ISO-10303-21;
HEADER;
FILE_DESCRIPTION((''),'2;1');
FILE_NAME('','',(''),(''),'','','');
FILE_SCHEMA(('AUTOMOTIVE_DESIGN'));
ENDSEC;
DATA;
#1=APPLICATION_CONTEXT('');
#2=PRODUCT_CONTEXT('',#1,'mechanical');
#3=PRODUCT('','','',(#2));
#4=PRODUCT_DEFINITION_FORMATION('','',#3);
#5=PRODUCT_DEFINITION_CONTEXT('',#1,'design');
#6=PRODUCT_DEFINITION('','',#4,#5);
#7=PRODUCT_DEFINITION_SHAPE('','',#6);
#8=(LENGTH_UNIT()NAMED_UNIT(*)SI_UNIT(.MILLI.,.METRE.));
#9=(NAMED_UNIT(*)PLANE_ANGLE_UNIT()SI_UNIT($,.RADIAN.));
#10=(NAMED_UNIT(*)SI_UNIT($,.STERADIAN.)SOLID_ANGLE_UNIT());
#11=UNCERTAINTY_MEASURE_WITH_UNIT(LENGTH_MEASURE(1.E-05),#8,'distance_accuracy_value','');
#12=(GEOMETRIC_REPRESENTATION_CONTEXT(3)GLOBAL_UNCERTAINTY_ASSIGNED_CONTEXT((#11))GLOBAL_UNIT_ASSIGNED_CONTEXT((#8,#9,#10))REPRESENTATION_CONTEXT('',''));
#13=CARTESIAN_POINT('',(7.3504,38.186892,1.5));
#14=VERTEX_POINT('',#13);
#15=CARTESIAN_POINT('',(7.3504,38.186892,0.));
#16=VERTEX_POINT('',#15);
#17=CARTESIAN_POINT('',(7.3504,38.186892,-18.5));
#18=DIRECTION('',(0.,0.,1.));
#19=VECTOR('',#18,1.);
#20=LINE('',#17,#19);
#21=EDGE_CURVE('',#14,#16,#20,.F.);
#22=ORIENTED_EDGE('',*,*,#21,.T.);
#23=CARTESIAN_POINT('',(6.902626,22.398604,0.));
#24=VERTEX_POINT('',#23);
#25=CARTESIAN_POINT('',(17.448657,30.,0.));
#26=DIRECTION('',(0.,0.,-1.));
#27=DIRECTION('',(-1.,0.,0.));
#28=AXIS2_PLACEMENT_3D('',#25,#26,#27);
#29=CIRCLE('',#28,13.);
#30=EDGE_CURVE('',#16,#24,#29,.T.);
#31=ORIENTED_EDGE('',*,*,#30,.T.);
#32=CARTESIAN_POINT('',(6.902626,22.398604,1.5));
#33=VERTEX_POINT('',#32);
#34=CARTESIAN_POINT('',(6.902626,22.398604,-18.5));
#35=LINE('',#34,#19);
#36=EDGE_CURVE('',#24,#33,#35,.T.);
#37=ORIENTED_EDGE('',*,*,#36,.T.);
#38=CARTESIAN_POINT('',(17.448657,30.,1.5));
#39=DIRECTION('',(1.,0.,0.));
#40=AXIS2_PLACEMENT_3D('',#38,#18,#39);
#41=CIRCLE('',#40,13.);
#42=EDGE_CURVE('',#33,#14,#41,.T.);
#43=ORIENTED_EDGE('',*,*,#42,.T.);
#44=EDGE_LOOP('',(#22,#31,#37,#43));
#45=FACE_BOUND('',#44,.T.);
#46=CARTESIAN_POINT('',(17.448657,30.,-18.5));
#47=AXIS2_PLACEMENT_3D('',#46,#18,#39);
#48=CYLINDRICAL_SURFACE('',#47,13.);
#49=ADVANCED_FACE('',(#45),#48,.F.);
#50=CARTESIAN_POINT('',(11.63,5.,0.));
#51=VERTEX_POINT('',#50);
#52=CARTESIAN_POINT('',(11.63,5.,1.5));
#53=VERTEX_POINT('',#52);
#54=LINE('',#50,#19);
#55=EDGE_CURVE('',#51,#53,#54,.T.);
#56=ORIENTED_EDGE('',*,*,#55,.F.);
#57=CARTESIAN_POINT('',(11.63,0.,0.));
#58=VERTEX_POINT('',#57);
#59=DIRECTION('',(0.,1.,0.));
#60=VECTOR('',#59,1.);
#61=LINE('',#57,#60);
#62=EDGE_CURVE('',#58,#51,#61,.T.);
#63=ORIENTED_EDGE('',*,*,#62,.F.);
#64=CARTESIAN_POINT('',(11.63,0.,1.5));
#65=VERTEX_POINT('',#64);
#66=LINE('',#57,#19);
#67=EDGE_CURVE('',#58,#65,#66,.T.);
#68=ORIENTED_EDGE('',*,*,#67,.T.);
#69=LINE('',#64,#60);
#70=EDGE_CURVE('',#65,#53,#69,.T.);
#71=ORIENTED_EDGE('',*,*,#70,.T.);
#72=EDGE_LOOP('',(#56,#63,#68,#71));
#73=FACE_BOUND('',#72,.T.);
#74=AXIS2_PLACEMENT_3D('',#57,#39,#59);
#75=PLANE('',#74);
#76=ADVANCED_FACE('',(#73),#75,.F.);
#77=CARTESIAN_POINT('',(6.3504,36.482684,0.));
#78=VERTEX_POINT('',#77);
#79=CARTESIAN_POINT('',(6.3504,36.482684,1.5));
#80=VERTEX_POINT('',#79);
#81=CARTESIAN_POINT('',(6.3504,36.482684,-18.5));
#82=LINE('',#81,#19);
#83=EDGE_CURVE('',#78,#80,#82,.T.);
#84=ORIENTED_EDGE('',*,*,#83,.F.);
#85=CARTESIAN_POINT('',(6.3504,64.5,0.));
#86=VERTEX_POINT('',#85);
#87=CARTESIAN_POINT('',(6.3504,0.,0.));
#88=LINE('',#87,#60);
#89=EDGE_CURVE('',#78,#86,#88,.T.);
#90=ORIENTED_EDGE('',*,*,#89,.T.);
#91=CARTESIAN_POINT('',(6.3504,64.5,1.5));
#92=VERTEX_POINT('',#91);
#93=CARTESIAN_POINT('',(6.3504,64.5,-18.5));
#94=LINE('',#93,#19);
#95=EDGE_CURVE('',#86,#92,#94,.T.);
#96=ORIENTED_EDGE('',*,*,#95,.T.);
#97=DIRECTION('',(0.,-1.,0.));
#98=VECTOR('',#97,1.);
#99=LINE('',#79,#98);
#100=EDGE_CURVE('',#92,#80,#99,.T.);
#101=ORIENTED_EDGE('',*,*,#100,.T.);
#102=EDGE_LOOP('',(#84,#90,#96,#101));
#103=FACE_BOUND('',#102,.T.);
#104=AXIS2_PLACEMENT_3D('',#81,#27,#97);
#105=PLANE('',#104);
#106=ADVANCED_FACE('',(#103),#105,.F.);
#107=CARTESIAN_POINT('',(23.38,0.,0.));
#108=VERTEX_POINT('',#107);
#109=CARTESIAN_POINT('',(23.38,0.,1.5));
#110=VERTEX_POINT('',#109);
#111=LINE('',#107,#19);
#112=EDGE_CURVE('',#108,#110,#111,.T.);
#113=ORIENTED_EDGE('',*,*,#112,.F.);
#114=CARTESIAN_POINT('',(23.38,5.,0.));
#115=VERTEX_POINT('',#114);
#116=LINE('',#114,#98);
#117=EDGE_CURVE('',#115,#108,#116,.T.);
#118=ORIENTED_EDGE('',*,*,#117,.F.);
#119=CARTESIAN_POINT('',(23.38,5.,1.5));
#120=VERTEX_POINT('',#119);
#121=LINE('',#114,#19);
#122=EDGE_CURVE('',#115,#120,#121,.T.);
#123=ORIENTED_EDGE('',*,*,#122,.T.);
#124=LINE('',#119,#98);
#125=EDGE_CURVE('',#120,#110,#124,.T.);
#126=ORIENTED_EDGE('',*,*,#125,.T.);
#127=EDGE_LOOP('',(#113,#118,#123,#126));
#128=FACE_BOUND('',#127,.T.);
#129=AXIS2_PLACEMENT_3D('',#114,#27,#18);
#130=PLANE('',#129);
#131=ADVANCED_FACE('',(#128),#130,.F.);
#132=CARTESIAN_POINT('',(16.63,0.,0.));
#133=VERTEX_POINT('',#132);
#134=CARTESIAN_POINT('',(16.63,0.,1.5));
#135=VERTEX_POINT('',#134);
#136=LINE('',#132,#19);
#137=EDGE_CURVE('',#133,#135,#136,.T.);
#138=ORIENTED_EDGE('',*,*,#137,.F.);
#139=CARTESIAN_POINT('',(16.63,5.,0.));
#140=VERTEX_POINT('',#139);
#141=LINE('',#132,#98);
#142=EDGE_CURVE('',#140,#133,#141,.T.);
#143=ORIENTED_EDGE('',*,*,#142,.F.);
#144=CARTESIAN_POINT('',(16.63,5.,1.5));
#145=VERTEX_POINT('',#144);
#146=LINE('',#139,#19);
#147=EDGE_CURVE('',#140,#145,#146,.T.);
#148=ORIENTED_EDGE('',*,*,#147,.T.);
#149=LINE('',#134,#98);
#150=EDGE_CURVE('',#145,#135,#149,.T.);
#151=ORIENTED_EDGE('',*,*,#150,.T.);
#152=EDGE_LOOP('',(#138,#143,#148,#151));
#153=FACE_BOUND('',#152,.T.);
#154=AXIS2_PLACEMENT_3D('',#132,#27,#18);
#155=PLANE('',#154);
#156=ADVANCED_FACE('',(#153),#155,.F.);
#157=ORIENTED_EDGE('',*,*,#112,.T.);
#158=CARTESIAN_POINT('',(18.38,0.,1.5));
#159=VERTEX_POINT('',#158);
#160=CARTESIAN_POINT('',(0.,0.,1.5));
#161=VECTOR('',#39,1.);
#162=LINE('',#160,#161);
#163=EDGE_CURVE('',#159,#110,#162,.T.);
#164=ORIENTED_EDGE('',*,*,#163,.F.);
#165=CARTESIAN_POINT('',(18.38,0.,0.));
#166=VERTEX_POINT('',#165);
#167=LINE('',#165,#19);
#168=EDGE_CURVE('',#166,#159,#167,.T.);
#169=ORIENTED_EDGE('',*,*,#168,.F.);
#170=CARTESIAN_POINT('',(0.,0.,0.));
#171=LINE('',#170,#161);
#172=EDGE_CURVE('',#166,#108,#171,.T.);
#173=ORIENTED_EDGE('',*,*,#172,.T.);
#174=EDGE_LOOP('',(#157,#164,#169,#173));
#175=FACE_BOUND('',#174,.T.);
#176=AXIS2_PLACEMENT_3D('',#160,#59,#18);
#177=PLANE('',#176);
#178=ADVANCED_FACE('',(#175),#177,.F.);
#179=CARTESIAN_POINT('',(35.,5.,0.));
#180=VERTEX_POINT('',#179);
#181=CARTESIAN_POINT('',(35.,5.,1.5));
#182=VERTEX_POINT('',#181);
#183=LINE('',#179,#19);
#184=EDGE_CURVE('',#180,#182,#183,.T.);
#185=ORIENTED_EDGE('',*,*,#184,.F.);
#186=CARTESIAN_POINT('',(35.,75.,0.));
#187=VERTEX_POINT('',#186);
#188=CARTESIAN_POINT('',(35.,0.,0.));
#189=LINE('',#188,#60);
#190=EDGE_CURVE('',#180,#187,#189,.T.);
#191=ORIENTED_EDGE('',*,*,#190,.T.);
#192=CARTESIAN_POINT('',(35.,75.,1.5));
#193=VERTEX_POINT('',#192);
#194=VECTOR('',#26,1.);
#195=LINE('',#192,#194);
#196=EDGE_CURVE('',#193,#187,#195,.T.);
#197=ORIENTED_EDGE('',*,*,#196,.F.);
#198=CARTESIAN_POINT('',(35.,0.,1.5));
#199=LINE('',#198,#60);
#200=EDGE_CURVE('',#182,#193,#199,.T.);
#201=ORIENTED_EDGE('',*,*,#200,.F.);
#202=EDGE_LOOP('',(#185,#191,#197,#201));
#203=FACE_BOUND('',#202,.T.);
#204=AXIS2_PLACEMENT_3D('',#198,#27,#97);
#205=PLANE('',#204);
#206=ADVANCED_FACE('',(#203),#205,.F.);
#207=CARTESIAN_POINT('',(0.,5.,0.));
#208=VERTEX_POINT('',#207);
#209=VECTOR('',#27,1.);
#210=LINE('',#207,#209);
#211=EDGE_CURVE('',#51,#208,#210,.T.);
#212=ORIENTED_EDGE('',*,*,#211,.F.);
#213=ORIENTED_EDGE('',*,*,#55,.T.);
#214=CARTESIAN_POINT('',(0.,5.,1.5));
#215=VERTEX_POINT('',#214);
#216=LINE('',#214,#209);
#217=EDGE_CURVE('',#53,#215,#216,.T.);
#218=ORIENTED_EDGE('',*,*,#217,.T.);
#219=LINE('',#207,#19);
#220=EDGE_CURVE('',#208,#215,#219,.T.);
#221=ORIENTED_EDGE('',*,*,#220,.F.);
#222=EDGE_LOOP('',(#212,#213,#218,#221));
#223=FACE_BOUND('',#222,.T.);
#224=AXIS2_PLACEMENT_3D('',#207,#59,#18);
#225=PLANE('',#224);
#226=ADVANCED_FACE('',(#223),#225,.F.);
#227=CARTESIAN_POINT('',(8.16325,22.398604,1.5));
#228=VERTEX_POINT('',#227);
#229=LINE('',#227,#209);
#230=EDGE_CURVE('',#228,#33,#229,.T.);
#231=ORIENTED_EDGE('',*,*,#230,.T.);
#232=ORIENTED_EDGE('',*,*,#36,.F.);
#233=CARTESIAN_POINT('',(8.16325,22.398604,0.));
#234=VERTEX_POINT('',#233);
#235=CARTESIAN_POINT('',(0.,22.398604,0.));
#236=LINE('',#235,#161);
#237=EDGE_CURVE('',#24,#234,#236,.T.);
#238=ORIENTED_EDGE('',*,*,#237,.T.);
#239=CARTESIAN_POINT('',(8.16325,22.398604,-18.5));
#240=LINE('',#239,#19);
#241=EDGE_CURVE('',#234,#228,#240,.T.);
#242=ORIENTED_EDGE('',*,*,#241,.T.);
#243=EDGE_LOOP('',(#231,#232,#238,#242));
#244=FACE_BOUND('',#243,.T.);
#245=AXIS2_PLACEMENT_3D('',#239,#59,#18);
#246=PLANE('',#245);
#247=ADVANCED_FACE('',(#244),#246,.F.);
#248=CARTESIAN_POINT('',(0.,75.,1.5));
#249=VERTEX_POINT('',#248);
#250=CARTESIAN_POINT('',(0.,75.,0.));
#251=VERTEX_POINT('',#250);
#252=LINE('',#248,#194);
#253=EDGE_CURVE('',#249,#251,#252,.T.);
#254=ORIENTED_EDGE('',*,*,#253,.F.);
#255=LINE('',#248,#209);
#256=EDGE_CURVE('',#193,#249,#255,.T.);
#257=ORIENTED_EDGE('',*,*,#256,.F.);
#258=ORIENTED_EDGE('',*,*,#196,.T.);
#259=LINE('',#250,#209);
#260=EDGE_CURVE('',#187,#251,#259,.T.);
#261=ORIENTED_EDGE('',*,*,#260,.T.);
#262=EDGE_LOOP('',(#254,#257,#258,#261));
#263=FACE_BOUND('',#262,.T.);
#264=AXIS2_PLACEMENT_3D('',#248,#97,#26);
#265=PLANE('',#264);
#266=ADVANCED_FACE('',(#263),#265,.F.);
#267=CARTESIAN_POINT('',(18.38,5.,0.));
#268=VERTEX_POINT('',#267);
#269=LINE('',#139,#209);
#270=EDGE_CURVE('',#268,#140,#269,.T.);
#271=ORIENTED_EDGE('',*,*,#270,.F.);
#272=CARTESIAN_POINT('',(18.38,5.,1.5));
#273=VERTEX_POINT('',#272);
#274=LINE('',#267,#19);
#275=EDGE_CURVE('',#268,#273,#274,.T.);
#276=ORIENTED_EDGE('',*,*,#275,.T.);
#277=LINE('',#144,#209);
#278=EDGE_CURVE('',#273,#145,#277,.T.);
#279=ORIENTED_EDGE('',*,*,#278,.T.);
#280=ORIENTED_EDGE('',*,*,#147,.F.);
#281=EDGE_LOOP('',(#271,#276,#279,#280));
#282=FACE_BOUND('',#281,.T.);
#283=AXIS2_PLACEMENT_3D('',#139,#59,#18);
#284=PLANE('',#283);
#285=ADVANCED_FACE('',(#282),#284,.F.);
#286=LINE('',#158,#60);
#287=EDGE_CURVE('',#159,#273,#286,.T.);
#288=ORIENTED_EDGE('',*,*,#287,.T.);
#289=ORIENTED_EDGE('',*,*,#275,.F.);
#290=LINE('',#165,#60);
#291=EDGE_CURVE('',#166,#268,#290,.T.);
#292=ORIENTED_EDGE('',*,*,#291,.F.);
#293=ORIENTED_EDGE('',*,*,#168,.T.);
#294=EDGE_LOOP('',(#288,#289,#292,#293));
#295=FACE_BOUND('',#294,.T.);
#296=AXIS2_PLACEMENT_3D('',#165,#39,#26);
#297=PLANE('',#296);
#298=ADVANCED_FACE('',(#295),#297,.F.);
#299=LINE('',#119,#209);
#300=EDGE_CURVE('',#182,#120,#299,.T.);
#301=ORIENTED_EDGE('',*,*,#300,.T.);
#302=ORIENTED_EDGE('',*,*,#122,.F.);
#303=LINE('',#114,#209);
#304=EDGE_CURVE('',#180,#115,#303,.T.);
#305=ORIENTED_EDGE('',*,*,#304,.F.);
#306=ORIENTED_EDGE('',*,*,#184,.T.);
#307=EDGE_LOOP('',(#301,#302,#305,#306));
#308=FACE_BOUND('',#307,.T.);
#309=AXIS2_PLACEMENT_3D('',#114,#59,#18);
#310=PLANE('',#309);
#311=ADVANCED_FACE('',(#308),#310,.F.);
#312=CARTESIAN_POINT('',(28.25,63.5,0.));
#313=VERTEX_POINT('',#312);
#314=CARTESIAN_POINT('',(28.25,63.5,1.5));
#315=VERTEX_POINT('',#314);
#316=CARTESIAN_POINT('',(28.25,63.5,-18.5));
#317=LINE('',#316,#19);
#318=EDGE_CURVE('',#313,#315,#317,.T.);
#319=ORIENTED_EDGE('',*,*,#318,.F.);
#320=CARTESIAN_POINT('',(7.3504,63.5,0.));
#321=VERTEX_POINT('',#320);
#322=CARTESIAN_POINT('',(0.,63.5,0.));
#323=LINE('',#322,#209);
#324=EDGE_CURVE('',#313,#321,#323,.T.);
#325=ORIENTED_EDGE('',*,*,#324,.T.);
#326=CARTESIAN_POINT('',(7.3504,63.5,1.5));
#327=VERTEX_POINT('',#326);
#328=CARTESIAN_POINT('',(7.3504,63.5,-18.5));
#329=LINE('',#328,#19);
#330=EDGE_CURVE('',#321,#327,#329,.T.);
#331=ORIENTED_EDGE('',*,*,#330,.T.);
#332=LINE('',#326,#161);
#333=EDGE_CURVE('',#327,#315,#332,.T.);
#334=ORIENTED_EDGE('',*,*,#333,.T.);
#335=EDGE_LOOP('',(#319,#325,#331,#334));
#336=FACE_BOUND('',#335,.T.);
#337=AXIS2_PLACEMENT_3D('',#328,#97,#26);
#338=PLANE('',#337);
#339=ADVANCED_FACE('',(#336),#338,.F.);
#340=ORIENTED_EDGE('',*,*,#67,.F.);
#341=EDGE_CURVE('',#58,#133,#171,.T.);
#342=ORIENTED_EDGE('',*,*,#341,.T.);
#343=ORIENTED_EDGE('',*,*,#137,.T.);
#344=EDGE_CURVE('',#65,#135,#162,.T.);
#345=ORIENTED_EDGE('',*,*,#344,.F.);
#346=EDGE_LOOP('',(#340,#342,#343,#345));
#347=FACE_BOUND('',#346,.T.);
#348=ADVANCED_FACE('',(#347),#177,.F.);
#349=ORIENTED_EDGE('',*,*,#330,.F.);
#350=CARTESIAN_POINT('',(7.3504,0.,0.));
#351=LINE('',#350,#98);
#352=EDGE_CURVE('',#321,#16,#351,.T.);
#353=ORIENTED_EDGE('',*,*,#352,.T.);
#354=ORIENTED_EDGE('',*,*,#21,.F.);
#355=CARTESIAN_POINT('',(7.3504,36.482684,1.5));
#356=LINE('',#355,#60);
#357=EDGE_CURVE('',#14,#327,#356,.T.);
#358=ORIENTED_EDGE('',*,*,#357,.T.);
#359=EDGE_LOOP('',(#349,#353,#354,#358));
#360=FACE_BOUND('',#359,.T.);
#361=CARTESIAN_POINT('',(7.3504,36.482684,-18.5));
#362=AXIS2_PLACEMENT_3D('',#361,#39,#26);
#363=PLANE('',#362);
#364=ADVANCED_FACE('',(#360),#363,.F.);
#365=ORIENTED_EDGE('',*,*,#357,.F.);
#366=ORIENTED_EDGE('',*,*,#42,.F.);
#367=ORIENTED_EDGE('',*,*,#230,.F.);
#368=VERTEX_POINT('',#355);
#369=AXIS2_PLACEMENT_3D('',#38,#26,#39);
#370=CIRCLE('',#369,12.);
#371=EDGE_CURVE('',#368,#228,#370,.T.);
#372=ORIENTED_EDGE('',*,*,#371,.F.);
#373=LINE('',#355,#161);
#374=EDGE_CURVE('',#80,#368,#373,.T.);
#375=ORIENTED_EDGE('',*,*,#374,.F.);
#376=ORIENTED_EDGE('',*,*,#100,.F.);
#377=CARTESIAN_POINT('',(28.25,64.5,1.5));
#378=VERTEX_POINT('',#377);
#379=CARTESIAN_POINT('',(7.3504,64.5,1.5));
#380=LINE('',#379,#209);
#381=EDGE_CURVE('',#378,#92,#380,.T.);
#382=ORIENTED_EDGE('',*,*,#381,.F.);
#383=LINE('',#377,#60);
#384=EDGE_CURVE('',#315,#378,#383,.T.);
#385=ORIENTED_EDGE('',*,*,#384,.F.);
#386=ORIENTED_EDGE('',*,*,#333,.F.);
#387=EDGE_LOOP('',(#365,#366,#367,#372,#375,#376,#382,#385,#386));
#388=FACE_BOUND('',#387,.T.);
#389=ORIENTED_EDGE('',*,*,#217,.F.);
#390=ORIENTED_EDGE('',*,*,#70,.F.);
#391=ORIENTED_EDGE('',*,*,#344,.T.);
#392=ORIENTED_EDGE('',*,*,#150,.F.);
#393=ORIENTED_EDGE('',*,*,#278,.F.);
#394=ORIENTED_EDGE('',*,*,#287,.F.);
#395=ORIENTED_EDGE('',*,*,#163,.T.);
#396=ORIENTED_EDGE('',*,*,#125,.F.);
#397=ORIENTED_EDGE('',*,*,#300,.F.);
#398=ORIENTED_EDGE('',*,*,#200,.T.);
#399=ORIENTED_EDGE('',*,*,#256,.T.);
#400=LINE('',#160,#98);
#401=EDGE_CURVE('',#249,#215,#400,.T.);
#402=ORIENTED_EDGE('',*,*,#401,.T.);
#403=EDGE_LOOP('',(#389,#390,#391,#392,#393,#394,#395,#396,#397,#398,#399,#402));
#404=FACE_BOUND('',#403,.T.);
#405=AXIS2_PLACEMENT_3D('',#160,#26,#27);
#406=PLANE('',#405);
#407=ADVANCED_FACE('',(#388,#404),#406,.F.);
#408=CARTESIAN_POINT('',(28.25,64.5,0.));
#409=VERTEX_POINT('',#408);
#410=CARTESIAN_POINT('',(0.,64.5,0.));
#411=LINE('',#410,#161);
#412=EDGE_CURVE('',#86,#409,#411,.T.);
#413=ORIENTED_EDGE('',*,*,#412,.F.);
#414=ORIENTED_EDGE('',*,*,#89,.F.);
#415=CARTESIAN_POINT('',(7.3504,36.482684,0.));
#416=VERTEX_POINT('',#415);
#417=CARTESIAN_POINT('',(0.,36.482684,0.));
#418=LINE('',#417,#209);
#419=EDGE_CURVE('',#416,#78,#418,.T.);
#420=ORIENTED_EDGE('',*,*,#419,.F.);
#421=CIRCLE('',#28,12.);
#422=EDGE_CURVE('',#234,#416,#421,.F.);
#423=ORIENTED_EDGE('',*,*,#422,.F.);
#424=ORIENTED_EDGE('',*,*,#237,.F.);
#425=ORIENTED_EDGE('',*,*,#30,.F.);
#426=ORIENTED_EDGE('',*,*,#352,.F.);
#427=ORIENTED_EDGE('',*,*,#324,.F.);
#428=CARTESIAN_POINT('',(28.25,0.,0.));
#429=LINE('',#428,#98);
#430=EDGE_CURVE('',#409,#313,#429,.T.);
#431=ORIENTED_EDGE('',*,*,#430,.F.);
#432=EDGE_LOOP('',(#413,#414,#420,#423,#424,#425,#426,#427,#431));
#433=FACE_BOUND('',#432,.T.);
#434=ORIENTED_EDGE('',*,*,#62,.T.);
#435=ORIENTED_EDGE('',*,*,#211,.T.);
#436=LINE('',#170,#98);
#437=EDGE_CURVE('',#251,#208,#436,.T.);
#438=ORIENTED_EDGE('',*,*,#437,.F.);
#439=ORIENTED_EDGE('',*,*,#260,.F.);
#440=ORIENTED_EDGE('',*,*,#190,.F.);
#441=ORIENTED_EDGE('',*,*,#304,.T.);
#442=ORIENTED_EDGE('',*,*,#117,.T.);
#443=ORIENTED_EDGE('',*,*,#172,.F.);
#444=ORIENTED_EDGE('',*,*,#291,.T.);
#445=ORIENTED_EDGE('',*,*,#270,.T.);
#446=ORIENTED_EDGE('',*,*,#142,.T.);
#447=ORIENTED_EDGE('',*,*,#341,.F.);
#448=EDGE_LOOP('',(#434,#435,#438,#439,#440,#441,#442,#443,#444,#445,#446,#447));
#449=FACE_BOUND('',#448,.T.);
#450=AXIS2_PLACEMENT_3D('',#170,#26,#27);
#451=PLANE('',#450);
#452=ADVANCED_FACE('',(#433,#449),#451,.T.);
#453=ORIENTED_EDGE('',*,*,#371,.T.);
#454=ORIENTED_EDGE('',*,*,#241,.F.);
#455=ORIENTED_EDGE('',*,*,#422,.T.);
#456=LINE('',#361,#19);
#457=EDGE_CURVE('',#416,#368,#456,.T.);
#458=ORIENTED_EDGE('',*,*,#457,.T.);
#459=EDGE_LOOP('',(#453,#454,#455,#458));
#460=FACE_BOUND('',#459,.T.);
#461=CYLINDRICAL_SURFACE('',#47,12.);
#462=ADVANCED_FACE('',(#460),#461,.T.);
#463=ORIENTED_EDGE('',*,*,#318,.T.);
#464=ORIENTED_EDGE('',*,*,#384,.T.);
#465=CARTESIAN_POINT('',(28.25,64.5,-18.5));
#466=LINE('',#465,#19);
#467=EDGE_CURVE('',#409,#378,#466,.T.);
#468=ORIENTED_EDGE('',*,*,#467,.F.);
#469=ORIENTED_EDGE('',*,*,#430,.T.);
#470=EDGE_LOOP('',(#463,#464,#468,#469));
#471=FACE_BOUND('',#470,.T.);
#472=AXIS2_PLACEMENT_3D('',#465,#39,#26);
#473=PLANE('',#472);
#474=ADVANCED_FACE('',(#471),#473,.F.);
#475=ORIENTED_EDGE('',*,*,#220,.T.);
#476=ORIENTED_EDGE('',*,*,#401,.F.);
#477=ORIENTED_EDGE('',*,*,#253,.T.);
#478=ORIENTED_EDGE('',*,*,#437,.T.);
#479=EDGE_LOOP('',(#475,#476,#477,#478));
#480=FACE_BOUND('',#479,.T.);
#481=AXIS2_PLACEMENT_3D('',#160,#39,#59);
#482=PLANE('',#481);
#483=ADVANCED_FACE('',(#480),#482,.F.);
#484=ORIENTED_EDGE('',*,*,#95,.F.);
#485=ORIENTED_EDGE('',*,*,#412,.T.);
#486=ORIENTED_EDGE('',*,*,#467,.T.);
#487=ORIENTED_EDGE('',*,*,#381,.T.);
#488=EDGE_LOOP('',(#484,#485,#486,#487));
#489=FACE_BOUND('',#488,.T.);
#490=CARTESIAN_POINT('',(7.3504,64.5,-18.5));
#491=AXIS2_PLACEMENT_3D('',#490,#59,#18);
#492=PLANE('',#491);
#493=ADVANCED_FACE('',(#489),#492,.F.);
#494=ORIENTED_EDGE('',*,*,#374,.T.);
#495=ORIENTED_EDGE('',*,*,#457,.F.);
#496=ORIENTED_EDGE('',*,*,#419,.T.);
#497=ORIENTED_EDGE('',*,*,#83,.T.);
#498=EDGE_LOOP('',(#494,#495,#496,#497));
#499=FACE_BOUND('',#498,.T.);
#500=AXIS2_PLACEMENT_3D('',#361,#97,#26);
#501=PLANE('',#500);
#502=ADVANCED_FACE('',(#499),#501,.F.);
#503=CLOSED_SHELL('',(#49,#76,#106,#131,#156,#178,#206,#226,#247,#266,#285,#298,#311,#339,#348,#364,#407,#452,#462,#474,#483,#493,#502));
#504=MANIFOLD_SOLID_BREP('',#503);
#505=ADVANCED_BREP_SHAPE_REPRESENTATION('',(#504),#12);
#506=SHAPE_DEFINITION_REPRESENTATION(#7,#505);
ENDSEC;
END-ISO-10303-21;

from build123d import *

# Parameters (mm, degrees)
SKIZZE1_W                       = 35
SKIZZE1_H                       = 75
AUFSATZ_LINEAR_AUSTRAGEN1_DEPTH = 1.5
SKIZZE2_W                       = 11.63
SKIZZE2_H                       = 5
SKIZZE2_W_2                     = 11.62
SKIZZE2_W_3                     = 1.75
SCHNITT_LINEAR_AUSTRAGEN1_DEPTH = 1.5
SCHNITT_LINEAR_AUSTRAGEN5_DEPTH = 20
SCHNITT_LINEAR_AUSTRAGEN6_DEPTH = 20


with BuildPart() as part:
    # Skizze1 → Aufsatz-Linear austragen1 (new body)
    with BuildSketch(Plane.XY):
        with Locations((17.5, 37.5)):
            Rectangle(SKIZZE1_W, SKIZZE1_H)
    extrude(amount=AUFSATZ_LINEAR_AUSTRAGEN1_DEPTH)

    # Skizze2 → Schnitt-Linear austragen1 (cut)
    with BuildSketch(Plane.XY.offset(1.5)):
        with Locations((5.815, 2.5)):
            Rectangle(SKIZZE2_W, SKIZZE2_H)
        with Locations((29.19, 2.5)):
            Rectangle(SKIZZE2_W_2, SKIZZE2_H)
        with Locations((17.505, 2.5)):
            Rectangle(SKIZZE2_W_3, SKIZZE2_H)
    extrude(amount=-SCHNITT_LINEAR_AUSTRAGEN1_DEPTH, mode=Mode.SUBTRACT)

    # Skizze10 → Schnitt-Linear austragen5 (cut)
    with BuildSketch(Plane.XY.offset(1.5)):
        with BuildLine():
            Line((7.35039959, 36.482684107), (6.35039959, 36.769688177))
            ThreePointArc((6.35039959, 36.769688177), (30.439070096, 30.49917213), (6.902625657, 22.398604162))
            Line((6.902625657, 22.398604162), (8.1632503, 22.398604162))
            ThreePointArc((8.1632503, 22.398604162), (29.428721451, 30.691419231), (7.35039959, 36.482684107))
        make_face()
    extrude(amount=-SCHNITT_LINEAR_AUSTRAGEN5_DEPTH, mode=Mode.SUBTRACT)

    # Skizze11 → Schnitt-Linear austragen6 (cut)
    with BuildSketch(Plane.XY.offset(1.5)):
        Polygon((7.35039959, 36.482684107), (6.35039959, 36.482684107), (6.35039959, 64.5), (7.35039959, 64.5), (28.25, 64.5), (28.25, 63.5), (7.35039959, 63.5), align=None)
    extrude(amount=-SCHNITT_LINEAR_AUSTRAGEN6_DEPTH, mode=Mode.SUBTRACT)


solid = part.part
